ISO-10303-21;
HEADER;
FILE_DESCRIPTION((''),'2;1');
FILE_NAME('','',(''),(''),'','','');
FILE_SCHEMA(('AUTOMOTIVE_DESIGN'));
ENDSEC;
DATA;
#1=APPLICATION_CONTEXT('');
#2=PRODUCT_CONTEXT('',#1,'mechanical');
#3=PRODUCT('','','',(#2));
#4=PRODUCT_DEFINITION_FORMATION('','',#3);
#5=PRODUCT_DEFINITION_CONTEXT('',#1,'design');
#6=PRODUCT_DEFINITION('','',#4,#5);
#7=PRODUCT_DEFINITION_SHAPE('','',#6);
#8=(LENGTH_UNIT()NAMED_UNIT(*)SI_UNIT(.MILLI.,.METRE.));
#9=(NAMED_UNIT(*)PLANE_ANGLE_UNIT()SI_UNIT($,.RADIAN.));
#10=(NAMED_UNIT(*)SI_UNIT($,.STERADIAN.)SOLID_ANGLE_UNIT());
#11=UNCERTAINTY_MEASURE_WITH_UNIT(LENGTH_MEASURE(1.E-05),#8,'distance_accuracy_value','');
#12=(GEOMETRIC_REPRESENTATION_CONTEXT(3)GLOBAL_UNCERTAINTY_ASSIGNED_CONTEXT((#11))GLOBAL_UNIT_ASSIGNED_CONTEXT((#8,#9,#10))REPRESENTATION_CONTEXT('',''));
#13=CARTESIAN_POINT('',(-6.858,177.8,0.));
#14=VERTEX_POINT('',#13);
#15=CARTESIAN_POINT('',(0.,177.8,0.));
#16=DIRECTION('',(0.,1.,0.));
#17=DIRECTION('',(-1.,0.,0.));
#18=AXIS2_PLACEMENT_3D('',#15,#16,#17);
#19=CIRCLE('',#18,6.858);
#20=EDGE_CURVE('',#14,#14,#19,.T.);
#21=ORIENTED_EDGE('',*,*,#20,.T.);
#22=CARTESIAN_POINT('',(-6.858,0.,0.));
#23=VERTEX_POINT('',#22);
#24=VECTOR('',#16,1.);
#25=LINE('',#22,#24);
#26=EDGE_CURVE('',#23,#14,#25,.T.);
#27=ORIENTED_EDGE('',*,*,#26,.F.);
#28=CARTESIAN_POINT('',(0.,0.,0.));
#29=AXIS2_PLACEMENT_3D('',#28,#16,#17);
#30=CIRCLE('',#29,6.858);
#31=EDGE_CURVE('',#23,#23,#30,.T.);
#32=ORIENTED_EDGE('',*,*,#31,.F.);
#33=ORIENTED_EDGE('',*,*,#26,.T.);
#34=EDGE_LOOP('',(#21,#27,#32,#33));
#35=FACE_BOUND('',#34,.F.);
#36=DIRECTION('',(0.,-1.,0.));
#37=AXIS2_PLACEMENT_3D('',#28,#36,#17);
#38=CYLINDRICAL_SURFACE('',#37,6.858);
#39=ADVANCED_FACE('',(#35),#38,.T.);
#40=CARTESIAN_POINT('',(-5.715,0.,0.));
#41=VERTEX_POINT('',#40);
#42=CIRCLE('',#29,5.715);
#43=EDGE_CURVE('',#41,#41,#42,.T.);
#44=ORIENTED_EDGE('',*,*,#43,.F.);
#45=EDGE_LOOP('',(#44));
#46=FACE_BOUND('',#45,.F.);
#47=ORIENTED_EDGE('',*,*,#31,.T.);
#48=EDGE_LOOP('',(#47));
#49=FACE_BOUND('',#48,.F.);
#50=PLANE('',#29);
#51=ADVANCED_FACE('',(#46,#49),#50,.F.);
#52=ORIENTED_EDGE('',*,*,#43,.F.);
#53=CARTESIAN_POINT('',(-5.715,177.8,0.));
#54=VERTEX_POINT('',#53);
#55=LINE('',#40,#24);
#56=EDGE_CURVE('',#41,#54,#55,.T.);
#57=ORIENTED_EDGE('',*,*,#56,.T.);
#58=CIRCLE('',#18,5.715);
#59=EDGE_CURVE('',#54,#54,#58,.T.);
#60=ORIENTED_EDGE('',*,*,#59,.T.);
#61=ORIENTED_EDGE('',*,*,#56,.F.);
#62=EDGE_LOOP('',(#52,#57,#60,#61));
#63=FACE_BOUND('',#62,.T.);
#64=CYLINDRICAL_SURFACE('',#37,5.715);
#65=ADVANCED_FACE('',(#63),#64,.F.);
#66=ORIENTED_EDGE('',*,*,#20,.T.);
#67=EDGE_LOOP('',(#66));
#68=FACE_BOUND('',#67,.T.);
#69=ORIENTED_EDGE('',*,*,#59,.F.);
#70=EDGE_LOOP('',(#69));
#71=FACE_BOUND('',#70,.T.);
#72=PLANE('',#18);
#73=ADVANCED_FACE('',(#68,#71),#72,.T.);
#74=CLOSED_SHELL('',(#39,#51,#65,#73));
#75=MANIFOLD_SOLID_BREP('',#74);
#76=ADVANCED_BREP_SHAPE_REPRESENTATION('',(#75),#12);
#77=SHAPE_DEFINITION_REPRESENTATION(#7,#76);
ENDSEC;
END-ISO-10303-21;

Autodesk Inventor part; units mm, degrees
ref_plane "YZ Plane" through (0, 0, 0) normal (1, 0, 0) x (0, 1, 0)
ref_plane "XZ Plane" through (0, 0, 0) normal (0, 1, 0) x (-1, 0, 0)
ref_plane "XY Plane" through (0, 0, 0) normal (0, 0, 1) x (1, 0, 0)
sketch "Sketch1" plane through (0, 0, 0) normal (0, 1, 0) x (-1, 0, 0)
  circle A0 centre (0, 0) radius 5.715
  circle A1 centre (0, 0) radius 6.858
  dimension "d0" = 11.43
  dimension "d1" = 13.716
extrude "Extrusion1" add sketch "Sketch1" along normal blind 177.8
